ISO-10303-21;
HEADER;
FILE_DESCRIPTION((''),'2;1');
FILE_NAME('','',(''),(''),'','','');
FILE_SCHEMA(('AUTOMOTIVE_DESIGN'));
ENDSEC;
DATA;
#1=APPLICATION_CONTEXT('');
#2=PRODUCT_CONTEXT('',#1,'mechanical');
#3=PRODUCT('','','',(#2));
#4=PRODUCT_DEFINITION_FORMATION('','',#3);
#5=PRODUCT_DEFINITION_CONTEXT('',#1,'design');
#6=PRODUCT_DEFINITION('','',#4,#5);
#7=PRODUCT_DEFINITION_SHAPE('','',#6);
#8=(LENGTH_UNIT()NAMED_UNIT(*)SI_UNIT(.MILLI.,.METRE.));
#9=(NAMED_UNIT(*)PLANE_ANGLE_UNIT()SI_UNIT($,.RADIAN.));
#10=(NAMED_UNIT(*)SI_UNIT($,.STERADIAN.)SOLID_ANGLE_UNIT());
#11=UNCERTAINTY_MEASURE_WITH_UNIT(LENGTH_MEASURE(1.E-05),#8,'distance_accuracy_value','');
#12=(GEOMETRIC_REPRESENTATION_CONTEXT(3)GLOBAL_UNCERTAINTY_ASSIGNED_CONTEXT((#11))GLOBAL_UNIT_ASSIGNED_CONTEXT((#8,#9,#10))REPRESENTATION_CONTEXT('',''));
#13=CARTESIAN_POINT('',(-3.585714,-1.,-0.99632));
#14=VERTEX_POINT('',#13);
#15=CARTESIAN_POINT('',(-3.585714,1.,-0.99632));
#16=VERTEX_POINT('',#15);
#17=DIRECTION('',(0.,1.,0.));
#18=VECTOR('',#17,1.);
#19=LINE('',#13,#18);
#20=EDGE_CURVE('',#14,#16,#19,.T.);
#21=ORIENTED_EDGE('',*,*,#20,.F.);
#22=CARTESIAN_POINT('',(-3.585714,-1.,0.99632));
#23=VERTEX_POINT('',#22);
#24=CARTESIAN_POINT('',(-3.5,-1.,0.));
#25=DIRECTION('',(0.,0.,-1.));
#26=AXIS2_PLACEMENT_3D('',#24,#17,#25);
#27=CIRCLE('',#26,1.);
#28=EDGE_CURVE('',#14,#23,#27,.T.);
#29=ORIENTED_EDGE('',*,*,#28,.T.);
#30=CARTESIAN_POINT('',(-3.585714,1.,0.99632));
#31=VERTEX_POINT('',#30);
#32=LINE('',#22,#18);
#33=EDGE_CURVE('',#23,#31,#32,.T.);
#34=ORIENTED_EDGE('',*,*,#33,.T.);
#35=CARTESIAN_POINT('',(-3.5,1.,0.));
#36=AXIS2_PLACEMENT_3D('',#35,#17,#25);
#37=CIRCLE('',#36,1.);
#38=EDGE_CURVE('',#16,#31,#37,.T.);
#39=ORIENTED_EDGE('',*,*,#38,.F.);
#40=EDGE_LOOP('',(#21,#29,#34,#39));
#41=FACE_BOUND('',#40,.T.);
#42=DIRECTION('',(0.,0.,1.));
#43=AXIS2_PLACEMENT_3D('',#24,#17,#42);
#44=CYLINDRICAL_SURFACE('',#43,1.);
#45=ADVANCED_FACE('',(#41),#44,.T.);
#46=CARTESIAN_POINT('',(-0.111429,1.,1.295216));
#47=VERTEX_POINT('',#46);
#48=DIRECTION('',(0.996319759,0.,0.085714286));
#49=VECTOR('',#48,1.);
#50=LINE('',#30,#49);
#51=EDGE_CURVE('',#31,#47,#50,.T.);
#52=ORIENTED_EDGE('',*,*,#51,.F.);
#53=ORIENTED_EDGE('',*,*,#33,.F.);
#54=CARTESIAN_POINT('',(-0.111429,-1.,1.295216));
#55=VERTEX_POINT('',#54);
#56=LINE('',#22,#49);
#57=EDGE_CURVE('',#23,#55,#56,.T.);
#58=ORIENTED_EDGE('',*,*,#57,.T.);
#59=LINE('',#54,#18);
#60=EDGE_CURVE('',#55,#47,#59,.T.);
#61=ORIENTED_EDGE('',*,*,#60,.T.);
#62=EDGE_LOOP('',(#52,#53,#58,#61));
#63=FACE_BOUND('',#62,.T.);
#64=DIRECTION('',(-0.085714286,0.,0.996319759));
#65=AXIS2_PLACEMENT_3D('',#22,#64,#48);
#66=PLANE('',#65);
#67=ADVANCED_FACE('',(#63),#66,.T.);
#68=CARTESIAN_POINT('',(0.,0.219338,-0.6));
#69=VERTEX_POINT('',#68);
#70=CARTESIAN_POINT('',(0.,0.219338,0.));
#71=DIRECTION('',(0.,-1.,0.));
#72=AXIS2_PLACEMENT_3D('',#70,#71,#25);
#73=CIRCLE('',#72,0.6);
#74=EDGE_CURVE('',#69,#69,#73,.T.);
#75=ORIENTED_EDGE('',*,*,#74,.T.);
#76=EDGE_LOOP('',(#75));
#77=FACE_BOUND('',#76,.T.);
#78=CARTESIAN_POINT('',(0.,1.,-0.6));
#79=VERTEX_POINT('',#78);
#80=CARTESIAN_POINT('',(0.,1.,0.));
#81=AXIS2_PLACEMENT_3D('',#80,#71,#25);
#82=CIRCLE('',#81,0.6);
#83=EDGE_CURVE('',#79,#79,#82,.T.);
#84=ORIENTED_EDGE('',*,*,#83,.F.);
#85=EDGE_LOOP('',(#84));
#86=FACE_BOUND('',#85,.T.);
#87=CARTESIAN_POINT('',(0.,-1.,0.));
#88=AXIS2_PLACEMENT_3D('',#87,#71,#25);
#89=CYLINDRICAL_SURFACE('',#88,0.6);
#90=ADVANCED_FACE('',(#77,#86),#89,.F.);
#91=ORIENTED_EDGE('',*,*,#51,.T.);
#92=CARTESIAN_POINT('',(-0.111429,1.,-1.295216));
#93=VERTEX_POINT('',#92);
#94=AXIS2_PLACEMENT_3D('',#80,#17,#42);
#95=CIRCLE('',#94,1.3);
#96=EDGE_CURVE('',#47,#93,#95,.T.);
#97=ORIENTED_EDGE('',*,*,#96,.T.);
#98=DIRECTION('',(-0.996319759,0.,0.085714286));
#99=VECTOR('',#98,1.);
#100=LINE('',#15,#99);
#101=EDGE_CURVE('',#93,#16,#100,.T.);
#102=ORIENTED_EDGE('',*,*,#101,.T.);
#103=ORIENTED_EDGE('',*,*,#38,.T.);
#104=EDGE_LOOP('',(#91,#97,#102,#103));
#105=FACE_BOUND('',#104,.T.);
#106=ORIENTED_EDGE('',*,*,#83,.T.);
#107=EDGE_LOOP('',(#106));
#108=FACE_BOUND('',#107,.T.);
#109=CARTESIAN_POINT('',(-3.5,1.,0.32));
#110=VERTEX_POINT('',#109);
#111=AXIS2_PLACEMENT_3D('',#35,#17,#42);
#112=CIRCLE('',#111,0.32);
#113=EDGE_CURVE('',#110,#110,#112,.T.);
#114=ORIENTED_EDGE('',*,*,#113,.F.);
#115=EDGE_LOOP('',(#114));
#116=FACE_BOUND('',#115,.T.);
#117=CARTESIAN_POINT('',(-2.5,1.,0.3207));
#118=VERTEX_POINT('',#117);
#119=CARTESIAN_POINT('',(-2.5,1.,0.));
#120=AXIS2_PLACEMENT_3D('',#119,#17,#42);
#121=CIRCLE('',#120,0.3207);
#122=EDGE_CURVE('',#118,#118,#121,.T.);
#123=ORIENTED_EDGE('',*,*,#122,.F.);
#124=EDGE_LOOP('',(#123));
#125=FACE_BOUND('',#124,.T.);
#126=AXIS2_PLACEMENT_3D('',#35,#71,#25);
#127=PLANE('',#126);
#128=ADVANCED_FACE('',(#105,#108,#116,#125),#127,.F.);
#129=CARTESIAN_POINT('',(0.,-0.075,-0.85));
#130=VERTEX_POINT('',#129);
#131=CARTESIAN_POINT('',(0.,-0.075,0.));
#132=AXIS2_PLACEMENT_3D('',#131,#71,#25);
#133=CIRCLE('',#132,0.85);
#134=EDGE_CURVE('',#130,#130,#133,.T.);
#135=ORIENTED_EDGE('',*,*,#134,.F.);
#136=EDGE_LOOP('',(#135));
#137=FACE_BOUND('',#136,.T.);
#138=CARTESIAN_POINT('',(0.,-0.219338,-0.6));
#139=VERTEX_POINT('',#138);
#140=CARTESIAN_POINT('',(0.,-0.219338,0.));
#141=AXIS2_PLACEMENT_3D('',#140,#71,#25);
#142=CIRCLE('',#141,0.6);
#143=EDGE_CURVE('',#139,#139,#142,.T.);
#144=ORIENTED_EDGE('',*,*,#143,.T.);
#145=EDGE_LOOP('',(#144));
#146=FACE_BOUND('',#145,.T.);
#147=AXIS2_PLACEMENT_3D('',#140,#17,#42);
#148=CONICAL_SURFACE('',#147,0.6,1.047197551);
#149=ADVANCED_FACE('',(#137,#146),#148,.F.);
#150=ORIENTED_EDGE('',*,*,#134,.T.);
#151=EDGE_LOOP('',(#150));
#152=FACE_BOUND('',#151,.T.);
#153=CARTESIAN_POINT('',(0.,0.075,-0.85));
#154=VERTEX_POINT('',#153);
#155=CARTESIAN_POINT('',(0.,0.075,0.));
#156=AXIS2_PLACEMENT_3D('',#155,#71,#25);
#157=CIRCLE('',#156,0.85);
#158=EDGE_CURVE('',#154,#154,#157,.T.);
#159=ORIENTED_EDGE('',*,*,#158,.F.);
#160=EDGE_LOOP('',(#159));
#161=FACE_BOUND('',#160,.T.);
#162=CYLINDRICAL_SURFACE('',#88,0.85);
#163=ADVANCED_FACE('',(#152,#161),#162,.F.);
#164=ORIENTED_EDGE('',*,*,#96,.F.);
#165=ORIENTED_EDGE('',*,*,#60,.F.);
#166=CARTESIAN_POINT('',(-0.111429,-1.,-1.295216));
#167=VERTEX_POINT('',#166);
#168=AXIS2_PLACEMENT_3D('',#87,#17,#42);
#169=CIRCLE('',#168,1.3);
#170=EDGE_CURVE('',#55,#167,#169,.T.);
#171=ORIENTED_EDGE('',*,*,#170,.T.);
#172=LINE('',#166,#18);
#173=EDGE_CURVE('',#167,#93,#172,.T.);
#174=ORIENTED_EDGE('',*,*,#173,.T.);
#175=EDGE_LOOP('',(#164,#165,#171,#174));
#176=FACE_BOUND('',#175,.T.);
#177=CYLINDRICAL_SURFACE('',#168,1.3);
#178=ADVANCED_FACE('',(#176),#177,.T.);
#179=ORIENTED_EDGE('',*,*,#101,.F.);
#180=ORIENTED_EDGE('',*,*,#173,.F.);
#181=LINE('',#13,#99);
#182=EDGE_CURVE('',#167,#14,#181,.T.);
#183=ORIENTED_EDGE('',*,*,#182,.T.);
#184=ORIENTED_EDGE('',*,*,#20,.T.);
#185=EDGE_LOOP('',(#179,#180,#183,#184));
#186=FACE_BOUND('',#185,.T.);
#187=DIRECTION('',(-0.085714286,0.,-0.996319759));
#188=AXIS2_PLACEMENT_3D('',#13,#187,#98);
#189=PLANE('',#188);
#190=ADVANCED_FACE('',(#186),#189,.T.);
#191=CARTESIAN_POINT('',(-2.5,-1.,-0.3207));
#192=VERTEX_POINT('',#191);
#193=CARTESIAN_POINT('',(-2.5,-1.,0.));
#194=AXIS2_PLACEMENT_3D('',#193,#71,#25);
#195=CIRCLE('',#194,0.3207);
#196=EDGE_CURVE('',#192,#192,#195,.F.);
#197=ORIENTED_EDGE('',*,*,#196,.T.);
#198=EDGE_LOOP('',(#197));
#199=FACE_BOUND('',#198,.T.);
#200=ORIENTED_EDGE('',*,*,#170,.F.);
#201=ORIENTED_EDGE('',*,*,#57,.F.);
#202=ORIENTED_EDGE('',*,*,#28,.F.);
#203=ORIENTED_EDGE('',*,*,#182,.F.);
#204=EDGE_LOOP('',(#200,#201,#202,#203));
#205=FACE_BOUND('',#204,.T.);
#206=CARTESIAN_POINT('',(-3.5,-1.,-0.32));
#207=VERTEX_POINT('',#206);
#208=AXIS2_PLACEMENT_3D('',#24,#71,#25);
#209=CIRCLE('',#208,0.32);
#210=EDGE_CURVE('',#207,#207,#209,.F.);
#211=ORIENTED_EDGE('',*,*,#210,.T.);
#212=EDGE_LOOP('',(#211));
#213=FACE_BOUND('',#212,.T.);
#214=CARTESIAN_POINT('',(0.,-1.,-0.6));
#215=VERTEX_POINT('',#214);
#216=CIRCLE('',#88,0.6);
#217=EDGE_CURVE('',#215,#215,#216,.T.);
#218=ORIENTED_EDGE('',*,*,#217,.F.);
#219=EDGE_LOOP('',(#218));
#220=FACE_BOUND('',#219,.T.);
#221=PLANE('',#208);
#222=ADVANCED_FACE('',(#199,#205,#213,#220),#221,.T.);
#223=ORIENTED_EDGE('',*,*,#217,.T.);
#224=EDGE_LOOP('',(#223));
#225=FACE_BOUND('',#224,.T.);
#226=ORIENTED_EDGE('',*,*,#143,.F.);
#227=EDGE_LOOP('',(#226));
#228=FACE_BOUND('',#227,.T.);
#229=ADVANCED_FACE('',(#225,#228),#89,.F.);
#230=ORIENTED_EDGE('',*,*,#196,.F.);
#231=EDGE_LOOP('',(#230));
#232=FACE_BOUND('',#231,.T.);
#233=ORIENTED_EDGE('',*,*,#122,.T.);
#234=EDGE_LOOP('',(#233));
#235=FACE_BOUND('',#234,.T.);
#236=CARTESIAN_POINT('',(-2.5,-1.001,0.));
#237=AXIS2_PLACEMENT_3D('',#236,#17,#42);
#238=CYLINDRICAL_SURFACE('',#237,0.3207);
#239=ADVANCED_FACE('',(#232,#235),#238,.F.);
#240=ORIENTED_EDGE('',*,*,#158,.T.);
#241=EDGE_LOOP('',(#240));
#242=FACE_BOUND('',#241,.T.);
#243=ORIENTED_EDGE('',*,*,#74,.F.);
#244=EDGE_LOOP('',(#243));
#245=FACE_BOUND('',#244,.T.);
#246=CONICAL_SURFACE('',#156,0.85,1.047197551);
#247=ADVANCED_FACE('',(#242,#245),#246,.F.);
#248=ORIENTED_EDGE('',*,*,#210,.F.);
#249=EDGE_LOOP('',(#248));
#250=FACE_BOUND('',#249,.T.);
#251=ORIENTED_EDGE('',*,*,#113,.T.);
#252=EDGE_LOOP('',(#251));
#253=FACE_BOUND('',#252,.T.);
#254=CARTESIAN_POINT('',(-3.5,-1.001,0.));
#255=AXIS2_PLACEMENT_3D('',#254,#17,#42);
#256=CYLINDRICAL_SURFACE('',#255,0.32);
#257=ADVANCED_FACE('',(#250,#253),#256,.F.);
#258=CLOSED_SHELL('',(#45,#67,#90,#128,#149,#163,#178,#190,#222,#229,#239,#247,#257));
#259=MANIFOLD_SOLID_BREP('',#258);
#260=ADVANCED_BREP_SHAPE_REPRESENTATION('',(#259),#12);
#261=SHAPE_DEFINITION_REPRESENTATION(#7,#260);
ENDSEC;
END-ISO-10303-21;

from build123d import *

# Parameters (mm, degrees)
BOSS_EXTRUDE1_DEPTH      = 1
BOSS_EXTRUDE1_DEPTH_BACK = 1
CUT_EXTRUDE1_REACH       = 7.093
SKETCH5_R                = 0.3207
SKETCH5_R_2              = 0.32


with BuildPart() as part:
    # Sketch1 → Boss-Extrude1 (new, two sides: drawn at the far end of the back side and taken through both)
    with BuildSketch(Plane(origin=(0, 0, 0), x_dir=(1, 0, 0), z_dir=(0, 1, 0)).offset(-BOSS_EXTRUDE1_DEPTH_BACK)):
        with BuildLine():
            Line((-3.585714286, 0.996319759), (-0.111428571, 1.295215686))
            ThreePointArc((-0.111428571, 1.295215686), (1.3, 0), (-0.111428571, -1.295215686))
            Line((-0.111428571, -1.295215686), (-3.585714286, -0.996319759))
            ThreePointArc((-3.585714286, -0.996319759), (-4.5, 0), (-3.585714286, 0.996319759))
        make_face()
    extrude(amount=BOSS_EXTRUDE1_DEPTH + BOSS_EXTRUDE1_DEPTH_BACK)

    # Sketch4 → Cut-Revolve1 (revolve, cut)
    with BuildSketch(Plane.XY):
        Polygon((0.85, 0), (0.85, 0.075), (0.6, 0.219337567), (0.6, 1), (0, 1), (0, -1), (0.6, -1), (0.6, -0.219337567), (0.85, -0.075), align=None)
    revolve(axis=Axis((0, -1, 0), (0, 1, 0)), mode=Mode.SUBTRACT)

    # Sketch5 → Cut-Extrude1 (cut, up to next)
    with BuildSketch(Plane(origin=(0, 1, 0), x_dir=(1, 0, 0), z_dir=(0, 1, 0)), mode=Mode.PRIVATE) as cut_extrude1_sk1:
        with Locations((-2.5, 0)):
            Circle(SKETCH5_R)
    cut_extrude1_tool1 = extrude(cut_extrude1_sk1.sketch, amount=-CUT_EXTRUDE1_REACH, mode=Mode.PRIVATE) & part.part
    # Sketch5 → Cut-Extrude1 (cut, up to next)
    with BuildSketch(Plane(origin=(0, 1, 0), x_dir=(1, 0, 0), z_dir=(0, 1, 0)), mode=Mode.PRIVATE) as cut_extrude1_sk2:
        with Locations((-3.5, 0)):
            Circle(SKETCH5_R_2)
    cut_extrude1_tool2 = extrude(cut_extrude1_sk2.sketch, amount=-CUT_EXTRUDE1_REACH, mode=Mode.PRIVATE) & part.part
    add(cut_extrude1_tool1.solids().sort_by_distance((-2.5, 1, 0))[0], mode=Mode.SUBTRACT)
    add(cut_extrude1_tool2.solids().sort_by_distance((-3.5, 1, 0))[0], mode=Mode.SUBTRACT)


solid = part.part
